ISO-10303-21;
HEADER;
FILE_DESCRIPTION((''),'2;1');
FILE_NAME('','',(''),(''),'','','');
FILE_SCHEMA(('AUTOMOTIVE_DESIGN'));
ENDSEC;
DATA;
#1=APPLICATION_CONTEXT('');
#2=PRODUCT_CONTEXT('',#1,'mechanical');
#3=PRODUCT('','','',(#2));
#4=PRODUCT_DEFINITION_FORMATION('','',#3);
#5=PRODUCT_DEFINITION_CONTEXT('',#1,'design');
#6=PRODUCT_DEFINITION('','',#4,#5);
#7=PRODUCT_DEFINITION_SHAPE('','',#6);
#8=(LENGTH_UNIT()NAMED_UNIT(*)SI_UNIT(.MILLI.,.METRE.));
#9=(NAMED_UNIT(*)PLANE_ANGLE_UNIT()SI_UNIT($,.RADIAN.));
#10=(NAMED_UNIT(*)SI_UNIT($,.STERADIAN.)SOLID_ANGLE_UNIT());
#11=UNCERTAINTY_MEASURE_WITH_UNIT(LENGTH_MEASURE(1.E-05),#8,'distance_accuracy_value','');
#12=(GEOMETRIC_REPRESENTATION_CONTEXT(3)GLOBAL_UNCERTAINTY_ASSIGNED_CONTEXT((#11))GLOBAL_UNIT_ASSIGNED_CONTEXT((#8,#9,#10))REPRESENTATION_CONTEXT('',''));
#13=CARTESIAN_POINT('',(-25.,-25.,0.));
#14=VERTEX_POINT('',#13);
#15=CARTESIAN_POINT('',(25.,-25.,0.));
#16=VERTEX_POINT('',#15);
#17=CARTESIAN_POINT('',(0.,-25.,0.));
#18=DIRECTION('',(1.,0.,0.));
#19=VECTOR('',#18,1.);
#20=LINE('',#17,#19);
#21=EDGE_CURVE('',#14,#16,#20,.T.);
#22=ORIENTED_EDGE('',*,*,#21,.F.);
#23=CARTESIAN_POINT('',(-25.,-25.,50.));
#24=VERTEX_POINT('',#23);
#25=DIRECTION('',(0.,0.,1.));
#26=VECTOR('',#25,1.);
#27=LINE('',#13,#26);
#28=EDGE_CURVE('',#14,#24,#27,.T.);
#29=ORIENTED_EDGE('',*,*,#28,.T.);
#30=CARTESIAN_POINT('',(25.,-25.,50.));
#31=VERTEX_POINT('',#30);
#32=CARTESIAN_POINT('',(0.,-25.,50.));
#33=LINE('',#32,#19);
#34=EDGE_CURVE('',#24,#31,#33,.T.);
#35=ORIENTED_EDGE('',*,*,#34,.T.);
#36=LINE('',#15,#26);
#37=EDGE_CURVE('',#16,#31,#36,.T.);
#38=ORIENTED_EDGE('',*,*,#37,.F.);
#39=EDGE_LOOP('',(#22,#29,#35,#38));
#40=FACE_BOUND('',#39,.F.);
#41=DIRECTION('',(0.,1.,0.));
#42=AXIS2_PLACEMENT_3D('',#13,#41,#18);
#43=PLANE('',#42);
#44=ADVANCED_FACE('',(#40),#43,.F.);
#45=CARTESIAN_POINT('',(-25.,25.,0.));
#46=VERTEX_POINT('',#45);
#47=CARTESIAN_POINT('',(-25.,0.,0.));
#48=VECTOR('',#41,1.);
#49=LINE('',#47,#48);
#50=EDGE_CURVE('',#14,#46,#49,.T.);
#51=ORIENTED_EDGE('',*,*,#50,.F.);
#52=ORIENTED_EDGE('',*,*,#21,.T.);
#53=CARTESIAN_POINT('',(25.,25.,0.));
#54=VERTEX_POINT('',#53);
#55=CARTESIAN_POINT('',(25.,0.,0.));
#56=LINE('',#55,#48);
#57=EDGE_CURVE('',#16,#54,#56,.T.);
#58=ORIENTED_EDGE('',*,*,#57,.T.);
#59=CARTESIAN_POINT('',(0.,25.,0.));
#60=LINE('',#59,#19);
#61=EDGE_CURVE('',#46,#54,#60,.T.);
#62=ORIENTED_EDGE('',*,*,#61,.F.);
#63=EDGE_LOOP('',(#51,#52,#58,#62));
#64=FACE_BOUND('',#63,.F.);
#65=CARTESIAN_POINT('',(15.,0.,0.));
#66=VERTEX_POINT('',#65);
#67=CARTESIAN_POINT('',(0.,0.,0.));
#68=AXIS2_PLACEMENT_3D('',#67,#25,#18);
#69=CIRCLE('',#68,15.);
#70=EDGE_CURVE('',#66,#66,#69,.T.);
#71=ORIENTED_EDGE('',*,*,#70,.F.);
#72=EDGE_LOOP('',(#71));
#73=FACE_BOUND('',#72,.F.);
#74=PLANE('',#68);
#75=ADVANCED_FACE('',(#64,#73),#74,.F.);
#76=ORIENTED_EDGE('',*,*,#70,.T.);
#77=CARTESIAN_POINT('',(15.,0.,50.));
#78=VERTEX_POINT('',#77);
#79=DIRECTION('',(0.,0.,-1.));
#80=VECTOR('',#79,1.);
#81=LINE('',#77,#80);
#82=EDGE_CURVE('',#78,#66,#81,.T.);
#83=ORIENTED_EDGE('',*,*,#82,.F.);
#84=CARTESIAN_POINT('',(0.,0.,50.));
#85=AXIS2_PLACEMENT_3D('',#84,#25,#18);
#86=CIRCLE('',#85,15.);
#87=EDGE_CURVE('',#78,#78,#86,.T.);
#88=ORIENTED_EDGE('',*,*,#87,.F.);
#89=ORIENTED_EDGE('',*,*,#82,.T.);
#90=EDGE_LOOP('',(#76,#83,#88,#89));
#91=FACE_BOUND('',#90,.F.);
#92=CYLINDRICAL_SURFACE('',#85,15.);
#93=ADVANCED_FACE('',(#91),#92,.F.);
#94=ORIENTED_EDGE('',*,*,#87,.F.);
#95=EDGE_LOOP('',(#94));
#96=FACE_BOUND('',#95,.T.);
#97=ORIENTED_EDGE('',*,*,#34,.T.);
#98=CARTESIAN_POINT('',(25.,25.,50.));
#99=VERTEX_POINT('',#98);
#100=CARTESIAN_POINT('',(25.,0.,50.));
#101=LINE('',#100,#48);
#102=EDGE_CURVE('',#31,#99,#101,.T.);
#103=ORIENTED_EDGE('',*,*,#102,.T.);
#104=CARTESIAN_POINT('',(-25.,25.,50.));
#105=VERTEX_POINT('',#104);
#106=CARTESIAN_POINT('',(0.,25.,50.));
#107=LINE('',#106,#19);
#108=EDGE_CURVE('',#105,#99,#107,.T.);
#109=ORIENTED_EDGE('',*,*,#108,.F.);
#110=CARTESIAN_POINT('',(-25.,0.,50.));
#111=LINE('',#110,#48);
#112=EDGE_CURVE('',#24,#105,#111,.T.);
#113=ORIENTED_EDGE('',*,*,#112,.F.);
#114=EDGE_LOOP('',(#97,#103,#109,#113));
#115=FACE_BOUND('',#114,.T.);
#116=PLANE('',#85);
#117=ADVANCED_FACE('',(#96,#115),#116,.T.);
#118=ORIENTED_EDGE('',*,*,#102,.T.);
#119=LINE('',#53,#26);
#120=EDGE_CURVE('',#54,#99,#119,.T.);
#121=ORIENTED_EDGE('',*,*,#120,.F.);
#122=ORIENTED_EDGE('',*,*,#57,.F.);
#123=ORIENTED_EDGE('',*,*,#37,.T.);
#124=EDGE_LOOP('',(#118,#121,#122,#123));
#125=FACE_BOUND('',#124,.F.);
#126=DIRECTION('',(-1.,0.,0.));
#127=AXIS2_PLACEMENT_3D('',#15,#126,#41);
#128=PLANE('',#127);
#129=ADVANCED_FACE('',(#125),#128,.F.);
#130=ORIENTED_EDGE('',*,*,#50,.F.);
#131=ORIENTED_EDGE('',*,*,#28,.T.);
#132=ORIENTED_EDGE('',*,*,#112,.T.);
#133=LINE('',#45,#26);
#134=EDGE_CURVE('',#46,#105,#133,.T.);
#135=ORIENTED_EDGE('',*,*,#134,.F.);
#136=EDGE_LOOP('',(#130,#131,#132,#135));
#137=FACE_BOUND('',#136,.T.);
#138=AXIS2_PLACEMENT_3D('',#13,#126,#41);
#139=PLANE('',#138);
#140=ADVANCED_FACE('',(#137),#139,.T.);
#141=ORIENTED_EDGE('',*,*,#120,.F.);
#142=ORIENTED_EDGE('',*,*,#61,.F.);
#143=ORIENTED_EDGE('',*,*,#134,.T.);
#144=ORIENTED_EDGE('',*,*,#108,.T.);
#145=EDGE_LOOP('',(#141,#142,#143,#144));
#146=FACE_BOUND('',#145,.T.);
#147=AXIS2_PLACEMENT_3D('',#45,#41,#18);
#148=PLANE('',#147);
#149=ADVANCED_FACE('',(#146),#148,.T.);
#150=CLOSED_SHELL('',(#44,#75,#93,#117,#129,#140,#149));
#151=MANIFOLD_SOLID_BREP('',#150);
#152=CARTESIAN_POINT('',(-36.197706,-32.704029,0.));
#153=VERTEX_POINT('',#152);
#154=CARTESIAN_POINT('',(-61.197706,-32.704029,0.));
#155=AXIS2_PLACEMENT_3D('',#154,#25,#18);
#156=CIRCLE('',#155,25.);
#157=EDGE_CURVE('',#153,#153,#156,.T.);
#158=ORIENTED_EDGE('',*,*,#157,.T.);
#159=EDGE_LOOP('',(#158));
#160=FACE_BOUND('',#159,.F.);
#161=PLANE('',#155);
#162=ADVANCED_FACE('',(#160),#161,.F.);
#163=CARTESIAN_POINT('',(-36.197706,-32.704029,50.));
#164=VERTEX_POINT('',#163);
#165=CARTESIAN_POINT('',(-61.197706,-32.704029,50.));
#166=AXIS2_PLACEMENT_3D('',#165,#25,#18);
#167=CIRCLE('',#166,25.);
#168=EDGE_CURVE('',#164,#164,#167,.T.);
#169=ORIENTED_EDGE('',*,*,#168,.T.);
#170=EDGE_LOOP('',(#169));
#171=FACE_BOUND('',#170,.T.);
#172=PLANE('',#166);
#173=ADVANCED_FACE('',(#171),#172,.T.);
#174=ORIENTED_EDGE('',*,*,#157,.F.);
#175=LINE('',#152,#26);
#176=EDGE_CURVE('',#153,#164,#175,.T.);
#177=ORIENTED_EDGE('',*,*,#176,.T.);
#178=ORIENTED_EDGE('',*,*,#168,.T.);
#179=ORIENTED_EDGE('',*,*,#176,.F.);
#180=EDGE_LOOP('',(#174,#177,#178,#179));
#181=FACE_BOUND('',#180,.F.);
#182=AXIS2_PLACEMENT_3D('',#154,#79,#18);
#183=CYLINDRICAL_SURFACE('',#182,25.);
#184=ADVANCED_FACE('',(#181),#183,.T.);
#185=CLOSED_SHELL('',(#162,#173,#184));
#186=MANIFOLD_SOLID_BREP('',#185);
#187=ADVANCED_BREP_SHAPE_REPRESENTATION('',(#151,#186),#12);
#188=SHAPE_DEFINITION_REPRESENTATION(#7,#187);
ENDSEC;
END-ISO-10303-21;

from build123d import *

# Parameters (mm, degrees)
F0_W     = 50
F0_H     = 50
F1_DEPTH = 50
F2_R     = 15
F3_DEPTH = 50
F4_R     = 25
F5_DEPTH = 50


with BuildPart() as f1:
    # F0 (on Top) → F1 (new body)
    with BuildSketch(Plane.XY):
        Rectangle(F0_W, F0_H)
    extrude(amount=F1_DEPTH)

    # F2 (on face) → F3 (cut)
    with BuildSketch(Plane.XY.offset(50)):
        Circle(F2_R)
    extrude(amount=-F3_DEPTH, mode=Mode.SUBTRACT)


with BuildPart() as f5:
    # F4 (on Top) → F5 (new body)
    with BuildSketch(Plane.XY):
        with Locations((-61.197706, -32.704029)):
            Circle(F4_R)
    extrude(amount=F5_DEPTH)


solid = Compound([f1.part, f5.part])
